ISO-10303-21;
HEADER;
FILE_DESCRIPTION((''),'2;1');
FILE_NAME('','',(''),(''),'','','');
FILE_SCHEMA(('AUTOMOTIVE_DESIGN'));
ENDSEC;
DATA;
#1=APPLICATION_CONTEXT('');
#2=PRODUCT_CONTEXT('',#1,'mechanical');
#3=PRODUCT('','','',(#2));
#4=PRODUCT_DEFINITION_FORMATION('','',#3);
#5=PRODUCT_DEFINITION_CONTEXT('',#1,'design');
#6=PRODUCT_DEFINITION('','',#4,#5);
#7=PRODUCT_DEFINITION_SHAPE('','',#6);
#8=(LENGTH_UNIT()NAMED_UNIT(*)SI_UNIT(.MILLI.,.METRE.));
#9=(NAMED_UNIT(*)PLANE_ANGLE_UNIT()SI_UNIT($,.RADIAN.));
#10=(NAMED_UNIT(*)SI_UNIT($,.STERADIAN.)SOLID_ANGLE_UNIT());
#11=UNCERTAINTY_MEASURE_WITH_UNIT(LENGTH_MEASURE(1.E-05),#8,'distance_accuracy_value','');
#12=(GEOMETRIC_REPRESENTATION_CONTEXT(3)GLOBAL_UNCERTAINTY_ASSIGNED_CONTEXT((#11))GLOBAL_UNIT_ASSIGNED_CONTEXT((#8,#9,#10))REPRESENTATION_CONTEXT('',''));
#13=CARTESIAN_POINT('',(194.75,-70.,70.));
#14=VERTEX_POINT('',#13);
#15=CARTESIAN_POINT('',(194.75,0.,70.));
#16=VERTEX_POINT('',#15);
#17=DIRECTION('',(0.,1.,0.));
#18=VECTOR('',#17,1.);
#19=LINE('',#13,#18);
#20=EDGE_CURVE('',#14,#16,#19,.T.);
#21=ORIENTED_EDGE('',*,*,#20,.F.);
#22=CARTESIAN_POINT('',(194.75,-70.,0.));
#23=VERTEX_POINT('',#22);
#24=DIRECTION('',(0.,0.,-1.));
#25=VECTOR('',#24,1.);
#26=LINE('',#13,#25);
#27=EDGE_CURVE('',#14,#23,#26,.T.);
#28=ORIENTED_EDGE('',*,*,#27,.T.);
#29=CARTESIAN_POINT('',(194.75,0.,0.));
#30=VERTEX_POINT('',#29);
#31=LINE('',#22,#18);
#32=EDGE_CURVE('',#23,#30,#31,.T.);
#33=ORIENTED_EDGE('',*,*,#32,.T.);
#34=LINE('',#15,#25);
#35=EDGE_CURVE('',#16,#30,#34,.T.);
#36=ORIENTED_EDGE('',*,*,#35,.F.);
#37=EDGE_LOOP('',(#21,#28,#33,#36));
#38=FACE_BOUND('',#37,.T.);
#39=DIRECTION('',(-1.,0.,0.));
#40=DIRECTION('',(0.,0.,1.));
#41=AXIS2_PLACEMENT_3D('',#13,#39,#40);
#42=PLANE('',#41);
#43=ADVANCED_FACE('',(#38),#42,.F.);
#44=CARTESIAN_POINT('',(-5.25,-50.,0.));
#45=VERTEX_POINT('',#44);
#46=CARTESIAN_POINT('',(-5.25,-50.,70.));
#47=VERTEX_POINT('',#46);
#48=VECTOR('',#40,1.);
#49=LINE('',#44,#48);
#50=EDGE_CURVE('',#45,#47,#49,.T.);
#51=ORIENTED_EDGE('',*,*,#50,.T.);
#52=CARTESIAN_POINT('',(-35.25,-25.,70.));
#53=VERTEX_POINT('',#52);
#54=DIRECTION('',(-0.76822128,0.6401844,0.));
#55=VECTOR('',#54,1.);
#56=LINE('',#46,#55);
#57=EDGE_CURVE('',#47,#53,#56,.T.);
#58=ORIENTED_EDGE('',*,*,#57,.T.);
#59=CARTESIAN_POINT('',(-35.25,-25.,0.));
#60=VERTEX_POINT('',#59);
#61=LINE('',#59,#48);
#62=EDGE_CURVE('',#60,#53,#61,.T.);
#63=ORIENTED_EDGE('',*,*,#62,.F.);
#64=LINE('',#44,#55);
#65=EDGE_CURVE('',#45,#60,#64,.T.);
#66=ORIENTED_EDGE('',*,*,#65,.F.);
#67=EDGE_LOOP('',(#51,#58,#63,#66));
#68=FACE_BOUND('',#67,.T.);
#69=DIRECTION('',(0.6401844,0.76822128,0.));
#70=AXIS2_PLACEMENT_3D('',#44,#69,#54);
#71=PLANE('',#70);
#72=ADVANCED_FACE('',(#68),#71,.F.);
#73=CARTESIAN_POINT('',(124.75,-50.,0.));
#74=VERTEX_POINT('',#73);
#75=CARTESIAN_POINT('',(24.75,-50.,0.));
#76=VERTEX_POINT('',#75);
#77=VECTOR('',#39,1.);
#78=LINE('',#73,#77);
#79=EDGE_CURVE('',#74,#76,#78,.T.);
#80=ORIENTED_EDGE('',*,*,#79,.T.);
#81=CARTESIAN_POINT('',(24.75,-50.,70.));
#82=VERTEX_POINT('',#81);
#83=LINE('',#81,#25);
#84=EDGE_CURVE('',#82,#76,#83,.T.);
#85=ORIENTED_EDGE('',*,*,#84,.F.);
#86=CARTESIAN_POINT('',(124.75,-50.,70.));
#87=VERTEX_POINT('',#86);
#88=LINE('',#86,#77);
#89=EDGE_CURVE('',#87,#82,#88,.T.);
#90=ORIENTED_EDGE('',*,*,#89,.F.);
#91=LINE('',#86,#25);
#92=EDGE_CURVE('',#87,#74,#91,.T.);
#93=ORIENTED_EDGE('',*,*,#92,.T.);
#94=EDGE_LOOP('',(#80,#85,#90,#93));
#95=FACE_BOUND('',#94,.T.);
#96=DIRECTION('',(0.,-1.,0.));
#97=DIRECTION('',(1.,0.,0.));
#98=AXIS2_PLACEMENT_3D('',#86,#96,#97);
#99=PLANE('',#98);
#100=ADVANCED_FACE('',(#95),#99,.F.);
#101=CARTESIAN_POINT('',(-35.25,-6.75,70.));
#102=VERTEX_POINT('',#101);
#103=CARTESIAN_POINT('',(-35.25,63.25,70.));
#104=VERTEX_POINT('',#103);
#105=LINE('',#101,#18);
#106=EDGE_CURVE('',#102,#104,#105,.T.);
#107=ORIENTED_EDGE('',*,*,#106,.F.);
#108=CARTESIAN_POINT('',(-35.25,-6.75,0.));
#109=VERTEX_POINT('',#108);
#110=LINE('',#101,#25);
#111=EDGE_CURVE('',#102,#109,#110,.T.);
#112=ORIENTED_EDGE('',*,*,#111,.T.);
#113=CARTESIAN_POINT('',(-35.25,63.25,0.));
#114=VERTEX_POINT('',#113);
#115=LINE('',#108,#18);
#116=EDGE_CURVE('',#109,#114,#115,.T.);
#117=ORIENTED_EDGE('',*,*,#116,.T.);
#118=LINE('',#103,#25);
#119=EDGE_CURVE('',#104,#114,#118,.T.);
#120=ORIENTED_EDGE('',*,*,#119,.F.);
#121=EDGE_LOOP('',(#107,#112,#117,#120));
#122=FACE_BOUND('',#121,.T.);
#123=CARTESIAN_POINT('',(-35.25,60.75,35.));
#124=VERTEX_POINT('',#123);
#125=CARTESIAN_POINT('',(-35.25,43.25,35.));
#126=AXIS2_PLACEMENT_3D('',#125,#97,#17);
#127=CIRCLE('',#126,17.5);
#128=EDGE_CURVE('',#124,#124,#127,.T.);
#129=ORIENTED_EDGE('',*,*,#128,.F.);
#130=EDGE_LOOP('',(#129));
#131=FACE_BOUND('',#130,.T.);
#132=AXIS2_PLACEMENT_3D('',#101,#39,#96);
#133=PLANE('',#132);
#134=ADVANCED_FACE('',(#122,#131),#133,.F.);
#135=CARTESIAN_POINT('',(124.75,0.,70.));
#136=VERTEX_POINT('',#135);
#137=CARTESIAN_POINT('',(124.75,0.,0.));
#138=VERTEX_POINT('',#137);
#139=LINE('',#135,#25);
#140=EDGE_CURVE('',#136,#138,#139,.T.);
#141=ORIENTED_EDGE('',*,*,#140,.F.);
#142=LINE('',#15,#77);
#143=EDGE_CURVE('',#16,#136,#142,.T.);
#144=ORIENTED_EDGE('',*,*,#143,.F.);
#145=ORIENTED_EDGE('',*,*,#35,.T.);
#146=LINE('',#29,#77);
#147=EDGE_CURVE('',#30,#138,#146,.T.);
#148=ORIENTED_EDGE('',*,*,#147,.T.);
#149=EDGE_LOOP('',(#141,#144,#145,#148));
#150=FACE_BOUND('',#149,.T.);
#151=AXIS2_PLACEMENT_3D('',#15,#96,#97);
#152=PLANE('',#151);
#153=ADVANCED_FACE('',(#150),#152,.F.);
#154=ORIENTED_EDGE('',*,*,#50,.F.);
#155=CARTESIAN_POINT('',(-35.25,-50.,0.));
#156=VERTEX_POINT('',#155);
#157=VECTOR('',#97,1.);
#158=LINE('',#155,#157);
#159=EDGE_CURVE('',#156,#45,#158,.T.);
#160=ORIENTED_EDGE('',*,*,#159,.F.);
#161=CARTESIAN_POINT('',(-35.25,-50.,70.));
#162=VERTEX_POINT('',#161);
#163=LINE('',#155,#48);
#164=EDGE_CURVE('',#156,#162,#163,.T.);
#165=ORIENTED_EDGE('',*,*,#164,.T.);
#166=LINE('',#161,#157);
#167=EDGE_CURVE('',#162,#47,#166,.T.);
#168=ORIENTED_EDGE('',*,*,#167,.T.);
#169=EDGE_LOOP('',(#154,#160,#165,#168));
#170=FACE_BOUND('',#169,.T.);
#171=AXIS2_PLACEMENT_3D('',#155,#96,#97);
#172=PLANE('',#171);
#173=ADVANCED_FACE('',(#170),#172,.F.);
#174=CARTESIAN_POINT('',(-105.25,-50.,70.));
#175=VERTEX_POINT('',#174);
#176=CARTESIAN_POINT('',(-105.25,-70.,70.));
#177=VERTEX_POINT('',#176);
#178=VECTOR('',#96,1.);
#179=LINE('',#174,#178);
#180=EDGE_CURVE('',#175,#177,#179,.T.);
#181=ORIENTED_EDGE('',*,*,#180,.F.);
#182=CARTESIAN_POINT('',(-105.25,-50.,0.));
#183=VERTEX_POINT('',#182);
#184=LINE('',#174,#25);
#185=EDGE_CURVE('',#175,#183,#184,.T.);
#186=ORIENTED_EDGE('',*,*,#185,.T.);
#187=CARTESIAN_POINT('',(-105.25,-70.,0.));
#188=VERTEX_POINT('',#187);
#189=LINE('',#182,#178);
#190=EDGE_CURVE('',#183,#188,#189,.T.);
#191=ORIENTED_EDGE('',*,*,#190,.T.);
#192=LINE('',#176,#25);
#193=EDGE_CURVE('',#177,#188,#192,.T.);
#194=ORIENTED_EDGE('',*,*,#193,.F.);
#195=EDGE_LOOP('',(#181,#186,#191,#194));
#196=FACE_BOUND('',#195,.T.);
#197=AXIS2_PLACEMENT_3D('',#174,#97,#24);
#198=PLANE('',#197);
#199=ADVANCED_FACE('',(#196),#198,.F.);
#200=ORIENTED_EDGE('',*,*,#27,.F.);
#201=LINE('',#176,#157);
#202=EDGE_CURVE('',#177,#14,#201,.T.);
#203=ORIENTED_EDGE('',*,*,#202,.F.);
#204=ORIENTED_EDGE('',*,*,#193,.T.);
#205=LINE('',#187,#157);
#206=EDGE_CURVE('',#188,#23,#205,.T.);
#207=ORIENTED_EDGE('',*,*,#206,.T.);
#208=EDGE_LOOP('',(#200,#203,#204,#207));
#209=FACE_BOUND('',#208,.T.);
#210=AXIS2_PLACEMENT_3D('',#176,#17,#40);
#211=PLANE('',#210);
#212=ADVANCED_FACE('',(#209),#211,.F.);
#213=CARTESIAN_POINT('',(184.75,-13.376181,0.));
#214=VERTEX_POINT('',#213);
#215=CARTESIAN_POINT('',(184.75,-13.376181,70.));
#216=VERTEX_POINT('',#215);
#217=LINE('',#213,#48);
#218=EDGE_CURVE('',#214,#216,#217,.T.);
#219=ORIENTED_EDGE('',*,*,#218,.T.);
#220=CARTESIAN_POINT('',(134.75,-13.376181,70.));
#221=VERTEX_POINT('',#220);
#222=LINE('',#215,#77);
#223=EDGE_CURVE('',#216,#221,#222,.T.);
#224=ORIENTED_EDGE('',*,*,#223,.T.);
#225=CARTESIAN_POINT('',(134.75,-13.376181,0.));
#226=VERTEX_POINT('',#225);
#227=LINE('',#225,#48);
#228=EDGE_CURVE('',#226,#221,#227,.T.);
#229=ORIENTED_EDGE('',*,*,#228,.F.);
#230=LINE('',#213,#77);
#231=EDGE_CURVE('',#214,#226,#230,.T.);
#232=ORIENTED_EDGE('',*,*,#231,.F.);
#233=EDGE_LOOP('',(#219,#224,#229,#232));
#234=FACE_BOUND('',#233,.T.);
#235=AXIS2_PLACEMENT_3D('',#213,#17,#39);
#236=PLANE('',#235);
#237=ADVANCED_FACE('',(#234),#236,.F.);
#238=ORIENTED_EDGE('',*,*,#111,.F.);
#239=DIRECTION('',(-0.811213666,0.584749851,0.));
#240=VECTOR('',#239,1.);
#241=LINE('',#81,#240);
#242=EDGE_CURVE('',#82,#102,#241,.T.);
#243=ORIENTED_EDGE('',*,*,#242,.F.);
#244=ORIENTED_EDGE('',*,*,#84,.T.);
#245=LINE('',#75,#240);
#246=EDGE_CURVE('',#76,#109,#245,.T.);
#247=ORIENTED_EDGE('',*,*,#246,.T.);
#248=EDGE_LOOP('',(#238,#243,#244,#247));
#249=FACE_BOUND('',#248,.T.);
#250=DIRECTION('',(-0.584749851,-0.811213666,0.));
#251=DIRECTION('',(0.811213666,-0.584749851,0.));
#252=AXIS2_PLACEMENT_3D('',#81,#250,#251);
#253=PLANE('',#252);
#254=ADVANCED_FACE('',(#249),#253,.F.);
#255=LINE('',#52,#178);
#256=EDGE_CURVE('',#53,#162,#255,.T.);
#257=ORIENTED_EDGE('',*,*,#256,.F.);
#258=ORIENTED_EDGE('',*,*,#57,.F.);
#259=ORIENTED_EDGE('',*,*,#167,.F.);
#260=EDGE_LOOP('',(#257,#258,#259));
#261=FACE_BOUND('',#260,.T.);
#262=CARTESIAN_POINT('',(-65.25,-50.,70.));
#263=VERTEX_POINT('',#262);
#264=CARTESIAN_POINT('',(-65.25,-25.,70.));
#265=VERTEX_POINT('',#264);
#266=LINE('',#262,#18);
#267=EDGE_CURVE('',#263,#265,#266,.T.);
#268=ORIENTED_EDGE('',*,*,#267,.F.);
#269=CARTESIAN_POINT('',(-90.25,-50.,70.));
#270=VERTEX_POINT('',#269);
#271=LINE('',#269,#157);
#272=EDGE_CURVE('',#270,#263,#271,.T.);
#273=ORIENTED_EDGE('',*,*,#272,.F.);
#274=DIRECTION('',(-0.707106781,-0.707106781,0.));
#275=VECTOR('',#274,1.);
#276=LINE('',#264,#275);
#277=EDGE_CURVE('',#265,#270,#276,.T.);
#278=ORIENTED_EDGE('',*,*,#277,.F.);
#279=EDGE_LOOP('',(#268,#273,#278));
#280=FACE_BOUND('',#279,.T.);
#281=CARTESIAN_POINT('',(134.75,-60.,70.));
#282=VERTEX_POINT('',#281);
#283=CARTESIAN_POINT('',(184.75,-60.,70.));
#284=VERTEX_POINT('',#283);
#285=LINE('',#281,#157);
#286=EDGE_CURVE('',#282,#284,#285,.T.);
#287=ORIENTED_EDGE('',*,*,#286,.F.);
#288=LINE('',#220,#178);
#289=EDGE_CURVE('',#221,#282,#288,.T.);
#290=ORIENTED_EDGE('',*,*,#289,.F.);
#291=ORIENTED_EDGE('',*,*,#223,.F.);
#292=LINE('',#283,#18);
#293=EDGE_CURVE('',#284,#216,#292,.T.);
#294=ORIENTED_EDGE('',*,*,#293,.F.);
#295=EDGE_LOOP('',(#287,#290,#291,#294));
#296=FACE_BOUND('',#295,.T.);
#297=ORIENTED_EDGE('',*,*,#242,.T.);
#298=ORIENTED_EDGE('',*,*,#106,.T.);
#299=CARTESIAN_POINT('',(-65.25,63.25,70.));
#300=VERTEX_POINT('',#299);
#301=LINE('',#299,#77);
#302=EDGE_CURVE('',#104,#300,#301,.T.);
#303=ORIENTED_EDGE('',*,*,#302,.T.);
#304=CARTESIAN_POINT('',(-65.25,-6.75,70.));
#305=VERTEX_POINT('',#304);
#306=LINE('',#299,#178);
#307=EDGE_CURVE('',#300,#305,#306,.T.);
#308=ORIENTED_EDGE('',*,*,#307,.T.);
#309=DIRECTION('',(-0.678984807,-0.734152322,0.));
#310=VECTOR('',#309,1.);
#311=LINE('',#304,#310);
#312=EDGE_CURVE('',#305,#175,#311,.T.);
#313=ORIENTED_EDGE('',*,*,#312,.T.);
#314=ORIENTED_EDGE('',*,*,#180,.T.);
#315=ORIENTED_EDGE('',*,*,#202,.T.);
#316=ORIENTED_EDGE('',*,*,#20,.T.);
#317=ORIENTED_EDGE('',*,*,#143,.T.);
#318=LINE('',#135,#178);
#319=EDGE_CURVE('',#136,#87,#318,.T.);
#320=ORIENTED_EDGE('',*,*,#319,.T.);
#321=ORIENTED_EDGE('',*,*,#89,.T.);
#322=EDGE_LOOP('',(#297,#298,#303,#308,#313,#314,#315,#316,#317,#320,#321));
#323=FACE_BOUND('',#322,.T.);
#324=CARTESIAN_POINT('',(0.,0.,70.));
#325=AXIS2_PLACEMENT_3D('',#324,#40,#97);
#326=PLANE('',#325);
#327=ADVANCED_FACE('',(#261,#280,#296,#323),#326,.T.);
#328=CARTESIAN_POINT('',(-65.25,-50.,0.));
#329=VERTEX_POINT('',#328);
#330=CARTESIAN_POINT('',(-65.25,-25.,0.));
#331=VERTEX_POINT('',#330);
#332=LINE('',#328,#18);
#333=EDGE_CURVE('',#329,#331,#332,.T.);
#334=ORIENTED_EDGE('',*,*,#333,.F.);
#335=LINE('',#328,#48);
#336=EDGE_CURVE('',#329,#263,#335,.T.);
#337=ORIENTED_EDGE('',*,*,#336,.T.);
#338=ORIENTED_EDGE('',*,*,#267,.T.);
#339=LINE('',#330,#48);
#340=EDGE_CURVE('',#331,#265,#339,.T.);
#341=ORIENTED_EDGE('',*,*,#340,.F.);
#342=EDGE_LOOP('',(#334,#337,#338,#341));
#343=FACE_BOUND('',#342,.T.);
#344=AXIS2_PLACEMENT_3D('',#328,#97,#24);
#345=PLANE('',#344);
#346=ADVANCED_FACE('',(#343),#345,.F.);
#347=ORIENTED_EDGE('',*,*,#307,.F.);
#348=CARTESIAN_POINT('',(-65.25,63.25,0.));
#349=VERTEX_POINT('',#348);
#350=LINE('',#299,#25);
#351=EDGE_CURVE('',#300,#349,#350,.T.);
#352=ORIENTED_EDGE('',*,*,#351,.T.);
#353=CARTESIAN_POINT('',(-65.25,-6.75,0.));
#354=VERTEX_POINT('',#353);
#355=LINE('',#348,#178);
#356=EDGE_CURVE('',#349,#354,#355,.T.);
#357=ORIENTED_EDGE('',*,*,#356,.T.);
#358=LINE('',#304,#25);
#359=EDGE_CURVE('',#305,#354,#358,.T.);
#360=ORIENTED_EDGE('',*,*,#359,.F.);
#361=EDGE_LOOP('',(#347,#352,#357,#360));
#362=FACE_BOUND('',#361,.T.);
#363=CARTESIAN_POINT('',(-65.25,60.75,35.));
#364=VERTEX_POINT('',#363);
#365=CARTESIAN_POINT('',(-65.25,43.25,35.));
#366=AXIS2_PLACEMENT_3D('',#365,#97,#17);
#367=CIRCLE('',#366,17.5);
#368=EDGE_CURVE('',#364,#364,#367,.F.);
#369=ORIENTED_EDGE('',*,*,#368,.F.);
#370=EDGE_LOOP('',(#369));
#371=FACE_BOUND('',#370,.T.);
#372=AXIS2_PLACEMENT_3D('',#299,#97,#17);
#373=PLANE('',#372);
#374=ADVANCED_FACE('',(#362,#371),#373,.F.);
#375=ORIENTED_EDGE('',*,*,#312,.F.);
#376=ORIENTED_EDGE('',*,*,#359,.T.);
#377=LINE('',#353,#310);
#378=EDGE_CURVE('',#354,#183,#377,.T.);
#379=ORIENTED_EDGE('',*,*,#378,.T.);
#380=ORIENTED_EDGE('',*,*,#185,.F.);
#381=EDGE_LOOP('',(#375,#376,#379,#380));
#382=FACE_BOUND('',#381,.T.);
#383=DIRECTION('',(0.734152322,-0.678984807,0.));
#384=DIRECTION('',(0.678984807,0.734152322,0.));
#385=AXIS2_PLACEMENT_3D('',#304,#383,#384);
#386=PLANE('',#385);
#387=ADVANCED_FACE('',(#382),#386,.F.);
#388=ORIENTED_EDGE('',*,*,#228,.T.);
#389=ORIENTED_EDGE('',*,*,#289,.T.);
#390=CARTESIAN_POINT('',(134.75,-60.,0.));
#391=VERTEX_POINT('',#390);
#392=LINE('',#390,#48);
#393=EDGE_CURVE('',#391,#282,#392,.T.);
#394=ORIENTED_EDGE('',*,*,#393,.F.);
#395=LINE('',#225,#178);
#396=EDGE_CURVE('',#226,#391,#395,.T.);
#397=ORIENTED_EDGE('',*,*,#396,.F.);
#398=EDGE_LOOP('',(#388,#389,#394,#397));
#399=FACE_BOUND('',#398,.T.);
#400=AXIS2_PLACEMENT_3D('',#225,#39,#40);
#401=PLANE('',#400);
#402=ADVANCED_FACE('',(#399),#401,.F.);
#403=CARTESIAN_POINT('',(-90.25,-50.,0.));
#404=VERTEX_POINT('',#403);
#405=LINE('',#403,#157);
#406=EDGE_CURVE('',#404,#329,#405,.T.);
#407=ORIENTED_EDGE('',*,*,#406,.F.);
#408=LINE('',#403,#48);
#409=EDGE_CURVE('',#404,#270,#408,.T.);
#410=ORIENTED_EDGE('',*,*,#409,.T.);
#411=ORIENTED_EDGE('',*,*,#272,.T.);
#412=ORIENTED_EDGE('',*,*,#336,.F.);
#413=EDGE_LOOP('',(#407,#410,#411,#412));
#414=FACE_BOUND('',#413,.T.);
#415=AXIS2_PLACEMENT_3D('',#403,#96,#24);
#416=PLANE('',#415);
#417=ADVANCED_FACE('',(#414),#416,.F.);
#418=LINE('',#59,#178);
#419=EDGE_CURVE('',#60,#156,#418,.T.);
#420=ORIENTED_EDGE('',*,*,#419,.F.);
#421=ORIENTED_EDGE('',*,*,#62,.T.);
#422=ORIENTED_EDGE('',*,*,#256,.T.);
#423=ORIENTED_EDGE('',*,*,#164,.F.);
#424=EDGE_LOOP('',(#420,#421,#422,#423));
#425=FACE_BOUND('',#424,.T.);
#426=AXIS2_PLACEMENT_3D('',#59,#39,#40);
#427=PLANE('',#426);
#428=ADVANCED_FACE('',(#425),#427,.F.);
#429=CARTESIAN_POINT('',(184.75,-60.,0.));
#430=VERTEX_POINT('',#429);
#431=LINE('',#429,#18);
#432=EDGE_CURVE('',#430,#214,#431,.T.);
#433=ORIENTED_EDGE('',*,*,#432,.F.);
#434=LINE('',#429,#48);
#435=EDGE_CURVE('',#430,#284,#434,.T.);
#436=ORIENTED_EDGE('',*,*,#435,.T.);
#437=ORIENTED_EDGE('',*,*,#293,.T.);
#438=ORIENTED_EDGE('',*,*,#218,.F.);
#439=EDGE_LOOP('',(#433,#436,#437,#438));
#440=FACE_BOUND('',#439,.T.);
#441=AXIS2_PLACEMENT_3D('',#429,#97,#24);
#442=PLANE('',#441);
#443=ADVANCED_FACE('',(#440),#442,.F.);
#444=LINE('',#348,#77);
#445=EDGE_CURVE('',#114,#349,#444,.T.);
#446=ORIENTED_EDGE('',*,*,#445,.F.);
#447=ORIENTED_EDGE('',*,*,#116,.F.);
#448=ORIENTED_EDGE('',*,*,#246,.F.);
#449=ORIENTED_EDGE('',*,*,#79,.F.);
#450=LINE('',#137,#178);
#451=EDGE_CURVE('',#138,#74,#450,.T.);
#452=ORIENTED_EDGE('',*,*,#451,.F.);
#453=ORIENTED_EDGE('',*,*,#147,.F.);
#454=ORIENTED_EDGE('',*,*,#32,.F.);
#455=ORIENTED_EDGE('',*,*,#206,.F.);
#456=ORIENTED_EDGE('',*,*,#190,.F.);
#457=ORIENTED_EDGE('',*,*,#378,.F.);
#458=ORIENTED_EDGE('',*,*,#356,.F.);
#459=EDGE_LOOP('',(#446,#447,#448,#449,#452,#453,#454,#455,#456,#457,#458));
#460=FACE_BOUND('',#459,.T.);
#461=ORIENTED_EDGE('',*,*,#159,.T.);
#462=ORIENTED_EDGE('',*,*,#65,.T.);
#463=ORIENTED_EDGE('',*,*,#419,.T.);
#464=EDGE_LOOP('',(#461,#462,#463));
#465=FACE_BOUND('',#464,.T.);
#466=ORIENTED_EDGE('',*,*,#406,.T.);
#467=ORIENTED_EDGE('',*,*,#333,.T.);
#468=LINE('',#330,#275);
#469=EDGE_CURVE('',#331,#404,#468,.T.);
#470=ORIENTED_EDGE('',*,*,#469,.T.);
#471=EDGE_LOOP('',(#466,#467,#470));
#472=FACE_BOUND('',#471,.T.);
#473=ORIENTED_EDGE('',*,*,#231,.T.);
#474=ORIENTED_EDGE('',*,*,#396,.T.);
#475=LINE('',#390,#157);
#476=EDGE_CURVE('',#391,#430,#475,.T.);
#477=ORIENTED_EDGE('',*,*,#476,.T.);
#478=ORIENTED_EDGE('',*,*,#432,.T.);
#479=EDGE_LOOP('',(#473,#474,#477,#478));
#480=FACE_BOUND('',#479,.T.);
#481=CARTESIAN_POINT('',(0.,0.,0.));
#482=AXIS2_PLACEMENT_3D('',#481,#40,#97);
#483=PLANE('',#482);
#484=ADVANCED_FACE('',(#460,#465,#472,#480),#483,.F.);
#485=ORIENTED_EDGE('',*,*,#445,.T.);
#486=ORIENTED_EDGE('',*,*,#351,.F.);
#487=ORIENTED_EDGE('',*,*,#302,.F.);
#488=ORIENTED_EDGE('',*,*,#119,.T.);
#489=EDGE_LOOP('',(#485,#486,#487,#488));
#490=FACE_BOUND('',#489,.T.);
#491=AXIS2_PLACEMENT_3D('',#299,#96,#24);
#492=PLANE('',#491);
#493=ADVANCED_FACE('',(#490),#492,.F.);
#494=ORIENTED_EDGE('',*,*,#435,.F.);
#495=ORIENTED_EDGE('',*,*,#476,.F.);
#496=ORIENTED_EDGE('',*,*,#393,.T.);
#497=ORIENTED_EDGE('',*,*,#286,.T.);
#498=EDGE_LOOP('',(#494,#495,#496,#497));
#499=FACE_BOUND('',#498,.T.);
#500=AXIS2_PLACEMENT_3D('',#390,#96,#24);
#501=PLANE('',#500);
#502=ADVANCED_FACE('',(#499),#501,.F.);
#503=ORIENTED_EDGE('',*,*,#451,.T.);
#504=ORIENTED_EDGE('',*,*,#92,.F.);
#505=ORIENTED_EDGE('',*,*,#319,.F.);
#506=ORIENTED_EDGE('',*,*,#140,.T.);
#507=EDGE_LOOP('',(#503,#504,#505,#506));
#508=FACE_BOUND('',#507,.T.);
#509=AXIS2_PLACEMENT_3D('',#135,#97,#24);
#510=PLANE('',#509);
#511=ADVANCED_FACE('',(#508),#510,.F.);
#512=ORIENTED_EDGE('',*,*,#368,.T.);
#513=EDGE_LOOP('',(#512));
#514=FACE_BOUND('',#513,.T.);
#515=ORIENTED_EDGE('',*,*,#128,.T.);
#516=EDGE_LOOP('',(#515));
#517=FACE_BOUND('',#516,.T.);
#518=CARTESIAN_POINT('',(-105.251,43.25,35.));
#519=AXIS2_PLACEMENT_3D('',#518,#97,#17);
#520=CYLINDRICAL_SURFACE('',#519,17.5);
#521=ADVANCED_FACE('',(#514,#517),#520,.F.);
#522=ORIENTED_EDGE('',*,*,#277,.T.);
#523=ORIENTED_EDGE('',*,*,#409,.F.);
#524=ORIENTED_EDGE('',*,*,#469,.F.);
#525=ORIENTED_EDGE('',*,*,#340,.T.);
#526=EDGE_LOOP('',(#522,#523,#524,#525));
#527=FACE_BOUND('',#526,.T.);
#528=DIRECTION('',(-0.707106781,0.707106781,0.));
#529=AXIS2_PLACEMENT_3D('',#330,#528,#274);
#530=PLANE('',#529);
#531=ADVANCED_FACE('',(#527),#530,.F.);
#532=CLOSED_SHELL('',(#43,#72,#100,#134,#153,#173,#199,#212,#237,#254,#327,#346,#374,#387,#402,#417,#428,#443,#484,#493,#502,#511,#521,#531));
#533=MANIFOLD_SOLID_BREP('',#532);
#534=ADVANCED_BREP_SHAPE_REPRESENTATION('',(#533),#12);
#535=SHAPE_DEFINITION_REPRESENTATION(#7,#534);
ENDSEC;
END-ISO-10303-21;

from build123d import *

# Parameters (mm, degrees)
EXTRUDE_1_DEPTH     = 70
SKETCH_2_W          = 50
SKETCH_2_H          = 46.62381926
CUT_EXTRUDE_1_DEPTH = 70
CUT_EXTRUDE_2_REACH = 72
SKETCH_3_R          = 17.5
CUT_EXTRUDE_3_DEPTH = 70


with BuildPart() as part:
    # 草图1 → 凸台-拉伸1 (new body)
    with BuildSketch(Plane.XY):
        Polygon((-65.25, 63.25), (-65.25, -6.75), (-105.25, -50), (-105.25, -70), (194.75, -70), (194.75, 0), (124.75, 0), (124.75, -50), (24.75, -50), (-35.25, -6.75), (-35.25, 63.25), align=None)
    extrude(amount=EXTRUDE_1_DEPTH)

    # 草图2 → 切除-拉伸1 (cut)
    with BuildSketch(Plane.XY.offset(70)):
        with Locations((159.75, -36.68809037)):
            Rectangle(SKETCH_2_W, SKETCH_2_H)
    extrude(amount=-CUT_EXTRUDE_1_DEPTH, mode=Mode.SUBTRACT)

    # 草图3 → 切除-拉伸2 (cut, up to next)
    with BuildSketch(Plane(origin=(-35.25, 0, 0), x_dir=(0, 0, -1), z_dir=(1, 0, 0)), mode=Mode.PRIVATE) as cut_extrude_2_sk1:
        with Locations((-35, 43.25)):
            Circle(SKETCH_3_R)
    cut_extrude_2_tool1 = extrude(cut_extrude_2_sk1.sketch, amount=-CUT_EXTRUDE_2_REACH, mode=Mode.PRIVATE) & part.part
    add(cut_extrude_2_tool1.solids().sort_by_distance((-35.25, 43.25, 35))[0], mode=Mode.SUBTRACT)

    # 草图4 → 切除-拉伸3 (cut)
    with BuildSketch(Plane.XY.offset(70)):
        Polygon((-65.25, -25), (-90.25, -50), (-65.25, -50), align=None)
        Polygon((-35.25, -25), (-35.25, -50), (-5.25, -50), align=None)
    extrude(amount=-CUT_EXTRUDE_3_DEPTH, mode=Mode.SUBTRACT)


solid = part.part
